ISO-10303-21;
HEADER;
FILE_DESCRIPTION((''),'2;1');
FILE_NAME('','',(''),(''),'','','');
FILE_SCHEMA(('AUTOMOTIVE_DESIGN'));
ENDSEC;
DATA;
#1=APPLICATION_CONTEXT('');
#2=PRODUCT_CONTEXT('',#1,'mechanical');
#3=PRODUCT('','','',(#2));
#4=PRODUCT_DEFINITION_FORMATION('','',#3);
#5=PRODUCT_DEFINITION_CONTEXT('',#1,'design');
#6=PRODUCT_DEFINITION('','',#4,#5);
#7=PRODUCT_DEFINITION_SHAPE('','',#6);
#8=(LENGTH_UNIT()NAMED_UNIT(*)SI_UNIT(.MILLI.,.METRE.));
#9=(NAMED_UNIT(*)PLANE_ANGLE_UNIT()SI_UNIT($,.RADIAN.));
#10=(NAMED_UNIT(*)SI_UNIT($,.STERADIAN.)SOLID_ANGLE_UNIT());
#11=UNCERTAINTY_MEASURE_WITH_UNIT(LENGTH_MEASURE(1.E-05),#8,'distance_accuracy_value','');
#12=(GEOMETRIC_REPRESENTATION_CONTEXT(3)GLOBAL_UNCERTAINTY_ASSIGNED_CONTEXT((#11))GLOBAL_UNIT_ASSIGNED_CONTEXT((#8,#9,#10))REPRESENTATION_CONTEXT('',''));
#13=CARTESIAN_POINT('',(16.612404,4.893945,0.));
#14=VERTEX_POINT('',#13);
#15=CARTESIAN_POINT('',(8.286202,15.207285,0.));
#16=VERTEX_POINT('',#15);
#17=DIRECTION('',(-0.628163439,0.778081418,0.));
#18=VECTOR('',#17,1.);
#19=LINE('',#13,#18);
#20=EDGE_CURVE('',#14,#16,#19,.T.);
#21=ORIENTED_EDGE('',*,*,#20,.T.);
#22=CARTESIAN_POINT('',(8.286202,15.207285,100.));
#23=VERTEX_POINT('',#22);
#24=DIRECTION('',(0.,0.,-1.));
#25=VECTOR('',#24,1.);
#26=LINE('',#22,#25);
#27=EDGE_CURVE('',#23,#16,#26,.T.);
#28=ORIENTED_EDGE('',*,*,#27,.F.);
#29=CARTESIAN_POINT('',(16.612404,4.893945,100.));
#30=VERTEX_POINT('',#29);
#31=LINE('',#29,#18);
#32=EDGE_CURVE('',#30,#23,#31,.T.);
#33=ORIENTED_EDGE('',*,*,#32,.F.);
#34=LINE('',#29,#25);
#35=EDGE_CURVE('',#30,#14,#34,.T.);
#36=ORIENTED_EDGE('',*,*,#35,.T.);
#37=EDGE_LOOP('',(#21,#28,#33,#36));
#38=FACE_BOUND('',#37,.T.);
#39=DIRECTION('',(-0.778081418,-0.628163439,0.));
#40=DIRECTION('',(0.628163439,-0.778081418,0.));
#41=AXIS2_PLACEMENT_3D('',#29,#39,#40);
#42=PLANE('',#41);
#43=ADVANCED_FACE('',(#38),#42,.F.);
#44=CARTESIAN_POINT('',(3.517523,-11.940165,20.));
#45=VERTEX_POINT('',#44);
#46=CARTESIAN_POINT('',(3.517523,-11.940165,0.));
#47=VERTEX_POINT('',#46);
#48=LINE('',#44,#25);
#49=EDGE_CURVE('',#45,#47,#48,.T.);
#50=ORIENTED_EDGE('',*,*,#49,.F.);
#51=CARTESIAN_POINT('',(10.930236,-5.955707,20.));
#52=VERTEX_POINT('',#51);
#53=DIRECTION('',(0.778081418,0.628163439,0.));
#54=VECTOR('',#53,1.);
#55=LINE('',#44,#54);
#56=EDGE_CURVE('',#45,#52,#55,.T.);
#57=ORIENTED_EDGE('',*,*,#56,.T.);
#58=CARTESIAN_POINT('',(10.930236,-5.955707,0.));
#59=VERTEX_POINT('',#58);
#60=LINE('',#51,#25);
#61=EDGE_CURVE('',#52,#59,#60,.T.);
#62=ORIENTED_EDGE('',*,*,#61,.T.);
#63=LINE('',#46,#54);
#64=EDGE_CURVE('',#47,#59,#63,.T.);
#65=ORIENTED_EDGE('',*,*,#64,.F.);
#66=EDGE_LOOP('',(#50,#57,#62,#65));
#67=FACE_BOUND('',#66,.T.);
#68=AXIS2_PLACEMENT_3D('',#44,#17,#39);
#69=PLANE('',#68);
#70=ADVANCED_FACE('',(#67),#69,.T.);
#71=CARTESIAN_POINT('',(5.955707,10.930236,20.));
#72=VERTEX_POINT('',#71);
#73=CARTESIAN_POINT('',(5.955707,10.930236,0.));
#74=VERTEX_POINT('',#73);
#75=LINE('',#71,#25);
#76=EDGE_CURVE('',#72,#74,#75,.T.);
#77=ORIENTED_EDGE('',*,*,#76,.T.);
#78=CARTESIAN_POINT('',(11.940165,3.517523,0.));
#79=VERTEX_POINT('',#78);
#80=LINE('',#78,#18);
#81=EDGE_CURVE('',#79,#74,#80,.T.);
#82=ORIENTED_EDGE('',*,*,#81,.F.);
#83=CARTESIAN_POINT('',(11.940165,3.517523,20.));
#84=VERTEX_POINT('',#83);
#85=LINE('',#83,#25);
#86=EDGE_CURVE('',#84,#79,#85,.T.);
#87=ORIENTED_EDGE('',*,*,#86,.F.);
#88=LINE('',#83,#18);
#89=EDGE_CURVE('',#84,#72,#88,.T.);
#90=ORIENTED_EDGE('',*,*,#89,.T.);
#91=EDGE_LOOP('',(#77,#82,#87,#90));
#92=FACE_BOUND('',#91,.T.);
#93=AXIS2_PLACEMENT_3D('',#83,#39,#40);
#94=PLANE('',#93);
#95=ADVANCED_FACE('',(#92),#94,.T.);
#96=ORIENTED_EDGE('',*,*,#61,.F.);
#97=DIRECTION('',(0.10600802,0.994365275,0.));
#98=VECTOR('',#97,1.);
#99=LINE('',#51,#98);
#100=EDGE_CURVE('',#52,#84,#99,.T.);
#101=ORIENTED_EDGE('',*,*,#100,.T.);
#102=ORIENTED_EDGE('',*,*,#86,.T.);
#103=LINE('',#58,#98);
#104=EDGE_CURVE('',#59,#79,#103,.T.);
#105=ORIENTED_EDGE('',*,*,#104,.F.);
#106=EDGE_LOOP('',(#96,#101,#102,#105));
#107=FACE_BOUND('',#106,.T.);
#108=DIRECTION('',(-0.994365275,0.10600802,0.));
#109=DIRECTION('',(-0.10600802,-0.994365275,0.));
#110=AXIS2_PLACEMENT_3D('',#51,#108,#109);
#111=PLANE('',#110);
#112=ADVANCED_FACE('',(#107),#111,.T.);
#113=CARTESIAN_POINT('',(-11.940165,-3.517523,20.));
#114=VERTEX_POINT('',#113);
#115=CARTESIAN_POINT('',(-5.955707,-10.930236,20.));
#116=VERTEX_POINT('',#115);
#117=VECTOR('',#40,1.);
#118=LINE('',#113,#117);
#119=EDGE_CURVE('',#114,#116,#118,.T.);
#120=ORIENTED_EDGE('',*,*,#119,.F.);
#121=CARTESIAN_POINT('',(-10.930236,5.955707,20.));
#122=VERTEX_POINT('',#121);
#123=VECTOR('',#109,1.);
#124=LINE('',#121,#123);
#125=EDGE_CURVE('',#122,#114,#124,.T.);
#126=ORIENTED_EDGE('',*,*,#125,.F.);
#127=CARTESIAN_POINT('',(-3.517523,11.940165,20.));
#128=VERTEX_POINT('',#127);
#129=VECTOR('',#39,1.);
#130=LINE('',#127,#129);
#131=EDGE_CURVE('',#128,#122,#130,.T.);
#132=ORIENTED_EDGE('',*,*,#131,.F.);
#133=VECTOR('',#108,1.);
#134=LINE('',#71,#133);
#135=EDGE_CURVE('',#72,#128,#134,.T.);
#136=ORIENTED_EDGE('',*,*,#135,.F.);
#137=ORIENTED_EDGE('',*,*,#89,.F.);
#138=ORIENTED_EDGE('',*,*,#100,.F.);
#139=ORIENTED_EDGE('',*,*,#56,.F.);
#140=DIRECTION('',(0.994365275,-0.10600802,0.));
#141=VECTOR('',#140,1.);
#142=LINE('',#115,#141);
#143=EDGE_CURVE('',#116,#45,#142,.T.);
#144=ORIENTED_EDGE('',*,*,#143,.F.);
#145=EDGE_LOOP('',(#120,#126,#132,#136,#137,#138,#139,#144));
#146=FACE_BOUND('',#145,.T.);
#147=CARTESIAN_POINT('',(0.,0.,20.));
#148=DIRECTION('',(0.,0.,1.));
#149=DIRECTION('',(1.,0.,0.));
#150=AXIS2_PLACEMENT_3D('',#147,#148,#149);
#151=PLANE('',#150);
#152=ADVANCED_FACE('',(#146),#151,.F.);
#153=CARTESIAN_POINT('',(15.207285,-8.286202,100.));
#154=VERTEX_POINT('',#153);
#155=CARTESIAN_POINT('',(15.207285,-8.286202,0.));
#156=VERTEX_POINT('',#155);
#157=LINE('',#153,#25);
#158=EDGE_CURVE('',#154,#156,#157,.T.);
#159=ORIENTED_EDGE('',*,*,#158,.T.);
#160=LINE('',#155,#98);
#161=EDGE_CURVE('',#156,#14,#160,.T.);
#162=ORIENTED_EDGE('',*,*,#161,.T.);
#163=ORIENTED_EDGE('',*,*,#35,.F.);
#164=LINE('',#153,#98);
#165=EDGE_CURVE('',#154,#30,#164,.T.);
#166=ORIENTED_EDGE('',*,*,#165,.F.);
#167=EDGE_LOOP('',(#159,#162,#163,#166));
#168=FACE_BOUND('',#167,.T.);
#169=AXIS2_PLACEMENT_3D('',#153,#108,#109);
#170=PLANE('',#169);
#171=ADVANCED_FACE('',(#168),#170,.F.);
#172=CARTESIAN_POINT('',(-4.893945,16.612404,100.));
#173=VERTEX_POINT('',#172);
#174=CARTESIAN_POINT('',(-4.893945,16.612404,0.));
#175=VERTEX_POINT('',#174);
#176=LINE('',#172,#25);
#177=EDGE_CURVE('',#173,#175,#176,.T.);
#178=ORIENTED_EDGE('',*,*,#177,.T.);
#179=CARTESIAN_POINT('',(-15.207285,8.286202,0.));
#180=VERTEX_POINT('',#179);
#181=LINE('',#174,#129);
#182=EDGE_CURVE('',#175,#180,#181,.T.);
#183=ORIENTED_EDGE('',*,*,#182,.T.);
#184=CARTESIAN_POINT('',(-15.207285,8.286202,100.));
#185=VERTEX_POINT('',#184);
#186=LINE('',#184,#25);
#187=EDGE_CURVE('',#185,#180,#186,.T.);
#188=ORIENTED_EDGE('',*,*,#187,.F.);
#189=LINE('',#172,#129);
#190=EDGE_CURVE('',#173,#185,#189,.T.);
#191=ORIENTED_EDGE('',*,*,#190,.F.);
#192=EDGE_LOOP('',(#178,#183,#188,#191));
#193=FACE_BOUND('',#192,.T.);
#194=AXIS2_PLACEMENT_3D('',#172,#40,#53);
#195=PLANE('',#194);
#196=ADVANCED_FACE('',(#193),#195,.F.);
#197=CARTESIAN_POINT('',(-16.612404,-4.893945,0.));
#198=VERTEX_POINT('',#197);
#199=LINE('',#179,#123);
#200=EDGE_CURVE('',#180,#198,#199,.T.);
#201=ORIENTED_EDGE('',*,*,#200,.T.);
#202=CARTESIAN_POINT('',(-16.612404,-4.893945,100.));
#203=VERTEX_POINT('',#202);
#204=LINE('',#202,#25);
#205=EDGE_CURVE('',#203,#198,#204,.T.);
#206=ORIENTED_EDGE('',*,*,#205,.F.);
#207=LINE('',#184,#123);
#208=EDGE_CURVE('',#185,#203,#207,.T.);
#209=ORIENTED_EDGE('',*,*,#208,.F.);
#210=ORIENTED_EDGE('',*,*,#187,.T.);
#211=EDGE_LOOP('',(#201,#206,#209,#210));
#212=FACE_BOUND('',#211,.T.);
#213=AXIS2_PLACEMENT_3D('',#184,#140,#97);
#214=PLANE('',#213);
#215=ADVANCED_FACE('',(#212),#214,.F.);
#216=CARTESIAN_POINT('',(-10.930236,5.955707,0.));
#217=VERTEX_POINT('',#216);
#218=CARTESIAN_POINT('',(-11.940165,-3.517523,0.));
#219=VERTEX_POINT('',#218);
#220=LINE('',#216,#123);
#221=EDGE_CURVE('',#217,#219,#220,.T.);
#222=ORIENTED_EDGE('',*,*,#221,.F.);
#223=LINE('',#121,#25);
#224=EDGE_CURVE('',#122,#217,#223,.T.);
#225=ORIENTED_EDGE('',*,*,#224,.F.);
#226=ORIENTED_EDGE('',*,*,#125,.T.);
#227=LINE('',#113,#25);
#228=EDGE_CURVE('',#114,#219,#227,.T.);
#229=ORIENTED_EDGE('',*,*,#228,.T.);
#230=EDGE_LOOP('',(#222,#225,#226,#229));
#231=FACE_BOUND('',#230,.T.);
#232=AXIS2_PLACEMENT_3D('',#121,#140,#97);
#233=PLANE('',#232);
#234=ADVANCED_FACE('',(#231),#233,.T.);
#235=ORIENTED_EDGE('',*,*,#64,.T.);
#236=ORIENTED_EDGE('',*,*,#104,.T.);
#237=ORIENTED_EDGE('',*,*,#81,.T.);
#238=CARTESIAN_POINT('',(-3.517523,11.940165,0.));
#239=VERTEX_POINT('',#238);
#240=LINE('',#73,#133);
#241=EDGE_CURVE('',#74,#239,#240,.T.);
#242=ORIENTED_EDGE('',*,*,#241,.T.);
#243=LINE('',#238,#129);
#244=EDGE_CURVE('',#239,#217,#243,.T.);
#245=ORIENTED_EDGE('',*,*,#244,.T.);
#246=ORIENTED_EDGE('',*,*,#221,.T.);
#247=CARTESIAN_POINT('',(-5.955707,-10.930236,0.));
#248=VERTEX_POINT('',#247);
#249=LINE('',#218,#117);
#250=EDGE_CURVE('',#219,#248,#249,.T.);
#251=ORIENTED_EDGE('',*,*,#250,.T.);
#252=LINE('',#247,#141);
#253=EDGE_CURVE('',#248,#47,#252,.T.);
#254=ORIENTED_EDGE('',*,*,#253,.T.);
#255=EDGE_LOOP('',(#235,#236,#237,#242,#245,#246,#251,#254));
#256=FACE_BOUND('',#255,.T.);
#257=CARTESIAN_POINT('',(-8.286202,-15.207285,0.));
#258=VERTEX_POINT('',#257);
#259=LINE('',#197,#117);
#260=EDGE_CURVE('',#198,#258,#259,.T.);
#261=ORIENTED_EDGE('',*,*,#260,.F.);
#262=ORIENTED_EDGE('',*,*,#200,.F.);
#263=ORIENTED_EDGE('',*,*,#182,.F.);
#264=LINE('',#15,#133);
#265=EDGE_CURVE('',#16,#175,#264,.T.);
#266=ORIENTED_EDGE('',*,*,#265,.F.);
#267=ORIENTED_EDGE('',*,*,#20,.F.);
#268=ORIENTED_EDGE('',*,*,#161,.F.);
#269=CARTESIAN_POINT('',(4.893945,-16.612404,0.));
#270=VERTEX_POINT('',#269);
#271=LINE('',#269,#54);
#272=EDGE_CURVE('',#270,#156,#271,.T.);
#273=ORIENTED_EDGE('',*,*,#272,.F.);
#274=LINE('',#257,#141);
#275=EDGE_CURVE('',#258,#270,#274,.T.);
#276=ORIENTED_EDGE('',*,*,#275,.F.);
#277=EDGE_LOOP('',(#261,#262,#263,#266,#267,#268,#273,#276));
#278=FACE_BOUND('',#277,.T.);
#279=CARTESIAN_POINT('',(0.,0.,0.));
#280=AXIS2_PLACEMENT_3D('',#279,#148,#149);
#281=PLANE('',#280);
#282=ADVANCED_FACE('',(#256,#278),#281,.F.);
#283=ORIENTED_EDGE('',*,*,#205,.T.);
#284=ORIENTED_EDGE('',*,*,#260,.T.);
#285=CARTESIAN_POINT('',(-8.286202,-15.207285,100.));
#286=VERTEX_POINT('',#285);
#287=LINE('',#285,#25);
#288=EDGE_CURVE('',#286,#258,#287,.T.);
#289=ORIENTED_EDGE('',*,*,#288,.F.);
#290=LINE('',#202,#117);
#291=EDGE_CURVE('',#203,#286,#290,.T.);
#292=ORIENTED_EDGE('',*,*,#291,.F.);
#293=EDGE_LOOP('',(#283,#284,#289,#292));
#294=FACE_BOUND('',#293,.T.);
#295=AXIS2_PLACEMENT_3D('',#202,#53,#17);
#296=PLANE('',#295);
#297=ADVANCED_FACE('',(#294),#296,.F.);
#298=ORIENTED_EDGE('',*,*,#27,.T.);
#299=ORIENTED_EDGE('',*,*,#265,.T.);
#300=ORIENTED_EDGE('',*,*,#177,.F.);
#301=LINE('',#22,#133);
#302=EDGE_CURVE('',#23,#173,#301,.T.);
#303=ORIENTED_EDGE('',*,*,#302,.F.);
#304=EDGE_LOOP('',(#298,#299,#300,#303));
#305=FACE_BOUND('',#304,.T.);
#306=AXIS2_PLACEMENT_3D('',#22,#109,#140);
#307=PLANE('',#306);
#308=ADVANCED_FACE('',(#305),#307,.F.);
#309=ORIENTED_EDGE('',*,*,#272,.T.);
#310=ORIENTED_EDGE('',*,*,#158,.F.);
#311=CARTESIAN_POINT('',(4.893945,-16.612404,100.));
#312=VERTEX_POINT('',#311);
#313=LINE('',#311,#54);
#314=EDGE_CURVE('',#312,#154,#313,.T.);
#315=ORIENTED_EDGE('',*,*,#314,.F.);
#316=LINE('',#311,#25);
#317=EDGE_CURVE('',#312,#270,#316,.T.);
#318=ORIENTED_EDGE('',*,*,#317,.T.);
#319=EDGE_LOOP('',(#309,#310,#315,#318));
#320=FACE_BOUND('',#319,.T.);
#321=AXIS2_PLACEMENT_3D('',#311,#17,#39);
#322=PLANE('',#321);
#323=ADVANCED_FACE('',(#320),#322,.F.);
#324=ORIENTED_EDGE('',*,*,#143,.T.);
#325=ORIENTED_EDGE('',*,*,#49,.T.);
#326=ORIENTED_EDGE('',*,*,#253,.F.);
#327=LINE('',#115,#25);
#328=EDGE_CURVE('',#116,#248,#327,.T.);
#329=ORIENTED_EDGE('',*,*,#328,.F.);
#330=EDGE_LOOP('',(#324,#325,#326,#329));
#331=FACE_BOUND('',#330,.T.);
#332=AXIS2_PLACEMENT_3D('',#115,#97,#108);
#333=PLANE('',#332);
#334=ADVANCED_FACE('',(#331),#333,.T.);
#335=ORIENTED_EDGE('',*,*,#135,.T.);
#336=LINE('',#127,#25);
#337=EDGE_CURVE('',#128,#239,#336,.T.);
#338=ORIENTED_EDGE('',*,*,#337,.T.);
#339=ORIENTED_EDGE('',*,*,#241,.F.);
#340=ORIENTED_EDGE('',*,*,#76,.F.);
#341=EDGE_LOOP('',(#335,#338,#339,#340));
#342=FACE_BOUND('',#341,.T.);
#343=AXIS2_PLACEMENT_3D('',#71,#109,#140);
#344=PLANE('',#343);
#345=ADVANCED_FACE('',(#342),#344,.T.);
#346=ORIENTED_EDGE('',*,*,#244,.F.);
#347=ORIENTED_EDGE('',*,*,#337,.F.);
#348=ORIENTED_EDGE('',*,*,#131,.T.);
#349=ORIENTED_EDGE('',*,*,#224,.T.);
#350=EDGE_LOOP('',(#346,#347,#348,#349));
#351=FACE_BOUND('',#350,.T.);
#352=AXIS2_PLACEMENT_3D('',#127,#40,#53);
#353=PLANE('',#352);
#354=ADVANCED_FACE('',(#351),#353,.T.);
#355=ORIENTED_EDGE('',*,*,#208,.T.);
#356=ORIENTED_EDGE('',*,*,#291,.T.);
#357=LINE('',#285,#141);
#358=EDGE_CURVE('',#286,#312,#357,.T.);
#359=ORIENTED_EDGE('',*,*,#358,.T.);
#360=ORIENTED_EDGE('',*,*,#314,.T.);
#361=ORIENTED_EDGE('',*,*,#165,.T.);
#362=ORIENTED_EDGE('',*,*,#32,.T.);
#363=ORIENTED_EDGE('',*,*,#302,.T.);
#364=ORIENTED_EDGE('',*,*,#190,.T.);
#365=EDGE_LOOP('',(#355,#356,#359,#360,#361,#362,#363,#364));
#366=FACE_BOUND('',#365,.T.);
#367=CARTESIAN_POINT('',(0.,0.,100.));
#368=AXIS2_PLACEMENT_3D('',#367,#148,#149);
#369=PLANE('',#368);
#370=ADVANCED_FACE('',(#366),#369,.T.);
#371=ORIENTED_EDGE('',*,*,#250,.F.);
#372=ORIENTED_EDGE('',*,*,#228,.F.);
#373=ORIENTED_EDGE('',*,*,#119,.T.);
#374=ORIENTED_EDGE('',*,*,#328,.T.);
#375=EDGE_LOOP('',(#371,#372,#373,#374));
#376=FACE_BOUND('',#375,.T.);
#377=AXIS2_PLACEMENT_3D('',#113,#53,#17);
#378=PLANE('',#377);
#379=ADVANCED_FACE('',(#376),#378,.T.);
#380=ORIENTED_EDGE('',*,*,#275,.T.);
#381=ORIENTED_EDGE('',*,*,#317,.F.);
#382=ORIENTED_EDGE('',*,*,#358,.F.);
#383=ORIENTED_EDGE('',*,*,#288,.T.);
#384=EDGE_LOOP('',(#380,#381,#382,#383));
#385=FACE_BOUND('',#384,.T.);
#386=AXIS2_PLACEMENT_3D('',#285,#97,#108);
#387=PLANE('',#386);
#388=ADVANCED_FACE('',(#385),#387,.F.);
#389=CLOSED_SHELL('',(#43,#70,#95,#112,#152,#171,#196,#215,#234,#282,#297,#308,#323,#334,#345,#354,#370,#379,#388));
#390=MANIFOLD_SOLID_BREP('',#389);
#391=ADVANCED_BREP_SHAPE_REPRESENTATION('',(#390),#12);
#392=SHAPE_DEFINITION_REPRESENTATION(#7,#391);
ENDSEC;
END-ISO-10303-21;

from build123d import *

# Parameters (mm, degrees)
RESSALTO_EXTRUS_O1_DEPTH = 100
CORTE_EXTRUS_O1_DEPTH    = 20


with BuildPart() as part:
    # Esboço2 → Ressalto-extrusão1 (new body)
    with BuildSketch(Plane.XY):
        Polygon((15.207285045, -8.286201641), (16.612403749, 4.893945008), (8.286201641, 15.207285045), (-4.893945008, 16.612403749), (-15.207285045, 8.286201641), (-16.612403749, -4.893945008), (-8.286201641, -15.207285045), (4.893945008, -16.612403749), align=None)
    extrude(amount=RESSALTO_EXTRUS_O1_DEPTH)

    # Esboço1 → Corte-extrusão1 (cut)
    with BuildSketch(Plane.XY):
        Polygon((10.930236126, -5.95570743), (11.940165195, 3.517522974), (5.95570743, 10.930236126), (-3.517522974, 11.940165195), (-10.930236126, 5.95570743), (-11.940165195, -3.517522974), (-5.95570743, -10.930236126), (3.517522974, -11.940165195), align=None)
    extrude(amount=CORTE_EXTRUS_O1_DEPTH, mode=Mode.SUBTRACT)


solid = part.part
